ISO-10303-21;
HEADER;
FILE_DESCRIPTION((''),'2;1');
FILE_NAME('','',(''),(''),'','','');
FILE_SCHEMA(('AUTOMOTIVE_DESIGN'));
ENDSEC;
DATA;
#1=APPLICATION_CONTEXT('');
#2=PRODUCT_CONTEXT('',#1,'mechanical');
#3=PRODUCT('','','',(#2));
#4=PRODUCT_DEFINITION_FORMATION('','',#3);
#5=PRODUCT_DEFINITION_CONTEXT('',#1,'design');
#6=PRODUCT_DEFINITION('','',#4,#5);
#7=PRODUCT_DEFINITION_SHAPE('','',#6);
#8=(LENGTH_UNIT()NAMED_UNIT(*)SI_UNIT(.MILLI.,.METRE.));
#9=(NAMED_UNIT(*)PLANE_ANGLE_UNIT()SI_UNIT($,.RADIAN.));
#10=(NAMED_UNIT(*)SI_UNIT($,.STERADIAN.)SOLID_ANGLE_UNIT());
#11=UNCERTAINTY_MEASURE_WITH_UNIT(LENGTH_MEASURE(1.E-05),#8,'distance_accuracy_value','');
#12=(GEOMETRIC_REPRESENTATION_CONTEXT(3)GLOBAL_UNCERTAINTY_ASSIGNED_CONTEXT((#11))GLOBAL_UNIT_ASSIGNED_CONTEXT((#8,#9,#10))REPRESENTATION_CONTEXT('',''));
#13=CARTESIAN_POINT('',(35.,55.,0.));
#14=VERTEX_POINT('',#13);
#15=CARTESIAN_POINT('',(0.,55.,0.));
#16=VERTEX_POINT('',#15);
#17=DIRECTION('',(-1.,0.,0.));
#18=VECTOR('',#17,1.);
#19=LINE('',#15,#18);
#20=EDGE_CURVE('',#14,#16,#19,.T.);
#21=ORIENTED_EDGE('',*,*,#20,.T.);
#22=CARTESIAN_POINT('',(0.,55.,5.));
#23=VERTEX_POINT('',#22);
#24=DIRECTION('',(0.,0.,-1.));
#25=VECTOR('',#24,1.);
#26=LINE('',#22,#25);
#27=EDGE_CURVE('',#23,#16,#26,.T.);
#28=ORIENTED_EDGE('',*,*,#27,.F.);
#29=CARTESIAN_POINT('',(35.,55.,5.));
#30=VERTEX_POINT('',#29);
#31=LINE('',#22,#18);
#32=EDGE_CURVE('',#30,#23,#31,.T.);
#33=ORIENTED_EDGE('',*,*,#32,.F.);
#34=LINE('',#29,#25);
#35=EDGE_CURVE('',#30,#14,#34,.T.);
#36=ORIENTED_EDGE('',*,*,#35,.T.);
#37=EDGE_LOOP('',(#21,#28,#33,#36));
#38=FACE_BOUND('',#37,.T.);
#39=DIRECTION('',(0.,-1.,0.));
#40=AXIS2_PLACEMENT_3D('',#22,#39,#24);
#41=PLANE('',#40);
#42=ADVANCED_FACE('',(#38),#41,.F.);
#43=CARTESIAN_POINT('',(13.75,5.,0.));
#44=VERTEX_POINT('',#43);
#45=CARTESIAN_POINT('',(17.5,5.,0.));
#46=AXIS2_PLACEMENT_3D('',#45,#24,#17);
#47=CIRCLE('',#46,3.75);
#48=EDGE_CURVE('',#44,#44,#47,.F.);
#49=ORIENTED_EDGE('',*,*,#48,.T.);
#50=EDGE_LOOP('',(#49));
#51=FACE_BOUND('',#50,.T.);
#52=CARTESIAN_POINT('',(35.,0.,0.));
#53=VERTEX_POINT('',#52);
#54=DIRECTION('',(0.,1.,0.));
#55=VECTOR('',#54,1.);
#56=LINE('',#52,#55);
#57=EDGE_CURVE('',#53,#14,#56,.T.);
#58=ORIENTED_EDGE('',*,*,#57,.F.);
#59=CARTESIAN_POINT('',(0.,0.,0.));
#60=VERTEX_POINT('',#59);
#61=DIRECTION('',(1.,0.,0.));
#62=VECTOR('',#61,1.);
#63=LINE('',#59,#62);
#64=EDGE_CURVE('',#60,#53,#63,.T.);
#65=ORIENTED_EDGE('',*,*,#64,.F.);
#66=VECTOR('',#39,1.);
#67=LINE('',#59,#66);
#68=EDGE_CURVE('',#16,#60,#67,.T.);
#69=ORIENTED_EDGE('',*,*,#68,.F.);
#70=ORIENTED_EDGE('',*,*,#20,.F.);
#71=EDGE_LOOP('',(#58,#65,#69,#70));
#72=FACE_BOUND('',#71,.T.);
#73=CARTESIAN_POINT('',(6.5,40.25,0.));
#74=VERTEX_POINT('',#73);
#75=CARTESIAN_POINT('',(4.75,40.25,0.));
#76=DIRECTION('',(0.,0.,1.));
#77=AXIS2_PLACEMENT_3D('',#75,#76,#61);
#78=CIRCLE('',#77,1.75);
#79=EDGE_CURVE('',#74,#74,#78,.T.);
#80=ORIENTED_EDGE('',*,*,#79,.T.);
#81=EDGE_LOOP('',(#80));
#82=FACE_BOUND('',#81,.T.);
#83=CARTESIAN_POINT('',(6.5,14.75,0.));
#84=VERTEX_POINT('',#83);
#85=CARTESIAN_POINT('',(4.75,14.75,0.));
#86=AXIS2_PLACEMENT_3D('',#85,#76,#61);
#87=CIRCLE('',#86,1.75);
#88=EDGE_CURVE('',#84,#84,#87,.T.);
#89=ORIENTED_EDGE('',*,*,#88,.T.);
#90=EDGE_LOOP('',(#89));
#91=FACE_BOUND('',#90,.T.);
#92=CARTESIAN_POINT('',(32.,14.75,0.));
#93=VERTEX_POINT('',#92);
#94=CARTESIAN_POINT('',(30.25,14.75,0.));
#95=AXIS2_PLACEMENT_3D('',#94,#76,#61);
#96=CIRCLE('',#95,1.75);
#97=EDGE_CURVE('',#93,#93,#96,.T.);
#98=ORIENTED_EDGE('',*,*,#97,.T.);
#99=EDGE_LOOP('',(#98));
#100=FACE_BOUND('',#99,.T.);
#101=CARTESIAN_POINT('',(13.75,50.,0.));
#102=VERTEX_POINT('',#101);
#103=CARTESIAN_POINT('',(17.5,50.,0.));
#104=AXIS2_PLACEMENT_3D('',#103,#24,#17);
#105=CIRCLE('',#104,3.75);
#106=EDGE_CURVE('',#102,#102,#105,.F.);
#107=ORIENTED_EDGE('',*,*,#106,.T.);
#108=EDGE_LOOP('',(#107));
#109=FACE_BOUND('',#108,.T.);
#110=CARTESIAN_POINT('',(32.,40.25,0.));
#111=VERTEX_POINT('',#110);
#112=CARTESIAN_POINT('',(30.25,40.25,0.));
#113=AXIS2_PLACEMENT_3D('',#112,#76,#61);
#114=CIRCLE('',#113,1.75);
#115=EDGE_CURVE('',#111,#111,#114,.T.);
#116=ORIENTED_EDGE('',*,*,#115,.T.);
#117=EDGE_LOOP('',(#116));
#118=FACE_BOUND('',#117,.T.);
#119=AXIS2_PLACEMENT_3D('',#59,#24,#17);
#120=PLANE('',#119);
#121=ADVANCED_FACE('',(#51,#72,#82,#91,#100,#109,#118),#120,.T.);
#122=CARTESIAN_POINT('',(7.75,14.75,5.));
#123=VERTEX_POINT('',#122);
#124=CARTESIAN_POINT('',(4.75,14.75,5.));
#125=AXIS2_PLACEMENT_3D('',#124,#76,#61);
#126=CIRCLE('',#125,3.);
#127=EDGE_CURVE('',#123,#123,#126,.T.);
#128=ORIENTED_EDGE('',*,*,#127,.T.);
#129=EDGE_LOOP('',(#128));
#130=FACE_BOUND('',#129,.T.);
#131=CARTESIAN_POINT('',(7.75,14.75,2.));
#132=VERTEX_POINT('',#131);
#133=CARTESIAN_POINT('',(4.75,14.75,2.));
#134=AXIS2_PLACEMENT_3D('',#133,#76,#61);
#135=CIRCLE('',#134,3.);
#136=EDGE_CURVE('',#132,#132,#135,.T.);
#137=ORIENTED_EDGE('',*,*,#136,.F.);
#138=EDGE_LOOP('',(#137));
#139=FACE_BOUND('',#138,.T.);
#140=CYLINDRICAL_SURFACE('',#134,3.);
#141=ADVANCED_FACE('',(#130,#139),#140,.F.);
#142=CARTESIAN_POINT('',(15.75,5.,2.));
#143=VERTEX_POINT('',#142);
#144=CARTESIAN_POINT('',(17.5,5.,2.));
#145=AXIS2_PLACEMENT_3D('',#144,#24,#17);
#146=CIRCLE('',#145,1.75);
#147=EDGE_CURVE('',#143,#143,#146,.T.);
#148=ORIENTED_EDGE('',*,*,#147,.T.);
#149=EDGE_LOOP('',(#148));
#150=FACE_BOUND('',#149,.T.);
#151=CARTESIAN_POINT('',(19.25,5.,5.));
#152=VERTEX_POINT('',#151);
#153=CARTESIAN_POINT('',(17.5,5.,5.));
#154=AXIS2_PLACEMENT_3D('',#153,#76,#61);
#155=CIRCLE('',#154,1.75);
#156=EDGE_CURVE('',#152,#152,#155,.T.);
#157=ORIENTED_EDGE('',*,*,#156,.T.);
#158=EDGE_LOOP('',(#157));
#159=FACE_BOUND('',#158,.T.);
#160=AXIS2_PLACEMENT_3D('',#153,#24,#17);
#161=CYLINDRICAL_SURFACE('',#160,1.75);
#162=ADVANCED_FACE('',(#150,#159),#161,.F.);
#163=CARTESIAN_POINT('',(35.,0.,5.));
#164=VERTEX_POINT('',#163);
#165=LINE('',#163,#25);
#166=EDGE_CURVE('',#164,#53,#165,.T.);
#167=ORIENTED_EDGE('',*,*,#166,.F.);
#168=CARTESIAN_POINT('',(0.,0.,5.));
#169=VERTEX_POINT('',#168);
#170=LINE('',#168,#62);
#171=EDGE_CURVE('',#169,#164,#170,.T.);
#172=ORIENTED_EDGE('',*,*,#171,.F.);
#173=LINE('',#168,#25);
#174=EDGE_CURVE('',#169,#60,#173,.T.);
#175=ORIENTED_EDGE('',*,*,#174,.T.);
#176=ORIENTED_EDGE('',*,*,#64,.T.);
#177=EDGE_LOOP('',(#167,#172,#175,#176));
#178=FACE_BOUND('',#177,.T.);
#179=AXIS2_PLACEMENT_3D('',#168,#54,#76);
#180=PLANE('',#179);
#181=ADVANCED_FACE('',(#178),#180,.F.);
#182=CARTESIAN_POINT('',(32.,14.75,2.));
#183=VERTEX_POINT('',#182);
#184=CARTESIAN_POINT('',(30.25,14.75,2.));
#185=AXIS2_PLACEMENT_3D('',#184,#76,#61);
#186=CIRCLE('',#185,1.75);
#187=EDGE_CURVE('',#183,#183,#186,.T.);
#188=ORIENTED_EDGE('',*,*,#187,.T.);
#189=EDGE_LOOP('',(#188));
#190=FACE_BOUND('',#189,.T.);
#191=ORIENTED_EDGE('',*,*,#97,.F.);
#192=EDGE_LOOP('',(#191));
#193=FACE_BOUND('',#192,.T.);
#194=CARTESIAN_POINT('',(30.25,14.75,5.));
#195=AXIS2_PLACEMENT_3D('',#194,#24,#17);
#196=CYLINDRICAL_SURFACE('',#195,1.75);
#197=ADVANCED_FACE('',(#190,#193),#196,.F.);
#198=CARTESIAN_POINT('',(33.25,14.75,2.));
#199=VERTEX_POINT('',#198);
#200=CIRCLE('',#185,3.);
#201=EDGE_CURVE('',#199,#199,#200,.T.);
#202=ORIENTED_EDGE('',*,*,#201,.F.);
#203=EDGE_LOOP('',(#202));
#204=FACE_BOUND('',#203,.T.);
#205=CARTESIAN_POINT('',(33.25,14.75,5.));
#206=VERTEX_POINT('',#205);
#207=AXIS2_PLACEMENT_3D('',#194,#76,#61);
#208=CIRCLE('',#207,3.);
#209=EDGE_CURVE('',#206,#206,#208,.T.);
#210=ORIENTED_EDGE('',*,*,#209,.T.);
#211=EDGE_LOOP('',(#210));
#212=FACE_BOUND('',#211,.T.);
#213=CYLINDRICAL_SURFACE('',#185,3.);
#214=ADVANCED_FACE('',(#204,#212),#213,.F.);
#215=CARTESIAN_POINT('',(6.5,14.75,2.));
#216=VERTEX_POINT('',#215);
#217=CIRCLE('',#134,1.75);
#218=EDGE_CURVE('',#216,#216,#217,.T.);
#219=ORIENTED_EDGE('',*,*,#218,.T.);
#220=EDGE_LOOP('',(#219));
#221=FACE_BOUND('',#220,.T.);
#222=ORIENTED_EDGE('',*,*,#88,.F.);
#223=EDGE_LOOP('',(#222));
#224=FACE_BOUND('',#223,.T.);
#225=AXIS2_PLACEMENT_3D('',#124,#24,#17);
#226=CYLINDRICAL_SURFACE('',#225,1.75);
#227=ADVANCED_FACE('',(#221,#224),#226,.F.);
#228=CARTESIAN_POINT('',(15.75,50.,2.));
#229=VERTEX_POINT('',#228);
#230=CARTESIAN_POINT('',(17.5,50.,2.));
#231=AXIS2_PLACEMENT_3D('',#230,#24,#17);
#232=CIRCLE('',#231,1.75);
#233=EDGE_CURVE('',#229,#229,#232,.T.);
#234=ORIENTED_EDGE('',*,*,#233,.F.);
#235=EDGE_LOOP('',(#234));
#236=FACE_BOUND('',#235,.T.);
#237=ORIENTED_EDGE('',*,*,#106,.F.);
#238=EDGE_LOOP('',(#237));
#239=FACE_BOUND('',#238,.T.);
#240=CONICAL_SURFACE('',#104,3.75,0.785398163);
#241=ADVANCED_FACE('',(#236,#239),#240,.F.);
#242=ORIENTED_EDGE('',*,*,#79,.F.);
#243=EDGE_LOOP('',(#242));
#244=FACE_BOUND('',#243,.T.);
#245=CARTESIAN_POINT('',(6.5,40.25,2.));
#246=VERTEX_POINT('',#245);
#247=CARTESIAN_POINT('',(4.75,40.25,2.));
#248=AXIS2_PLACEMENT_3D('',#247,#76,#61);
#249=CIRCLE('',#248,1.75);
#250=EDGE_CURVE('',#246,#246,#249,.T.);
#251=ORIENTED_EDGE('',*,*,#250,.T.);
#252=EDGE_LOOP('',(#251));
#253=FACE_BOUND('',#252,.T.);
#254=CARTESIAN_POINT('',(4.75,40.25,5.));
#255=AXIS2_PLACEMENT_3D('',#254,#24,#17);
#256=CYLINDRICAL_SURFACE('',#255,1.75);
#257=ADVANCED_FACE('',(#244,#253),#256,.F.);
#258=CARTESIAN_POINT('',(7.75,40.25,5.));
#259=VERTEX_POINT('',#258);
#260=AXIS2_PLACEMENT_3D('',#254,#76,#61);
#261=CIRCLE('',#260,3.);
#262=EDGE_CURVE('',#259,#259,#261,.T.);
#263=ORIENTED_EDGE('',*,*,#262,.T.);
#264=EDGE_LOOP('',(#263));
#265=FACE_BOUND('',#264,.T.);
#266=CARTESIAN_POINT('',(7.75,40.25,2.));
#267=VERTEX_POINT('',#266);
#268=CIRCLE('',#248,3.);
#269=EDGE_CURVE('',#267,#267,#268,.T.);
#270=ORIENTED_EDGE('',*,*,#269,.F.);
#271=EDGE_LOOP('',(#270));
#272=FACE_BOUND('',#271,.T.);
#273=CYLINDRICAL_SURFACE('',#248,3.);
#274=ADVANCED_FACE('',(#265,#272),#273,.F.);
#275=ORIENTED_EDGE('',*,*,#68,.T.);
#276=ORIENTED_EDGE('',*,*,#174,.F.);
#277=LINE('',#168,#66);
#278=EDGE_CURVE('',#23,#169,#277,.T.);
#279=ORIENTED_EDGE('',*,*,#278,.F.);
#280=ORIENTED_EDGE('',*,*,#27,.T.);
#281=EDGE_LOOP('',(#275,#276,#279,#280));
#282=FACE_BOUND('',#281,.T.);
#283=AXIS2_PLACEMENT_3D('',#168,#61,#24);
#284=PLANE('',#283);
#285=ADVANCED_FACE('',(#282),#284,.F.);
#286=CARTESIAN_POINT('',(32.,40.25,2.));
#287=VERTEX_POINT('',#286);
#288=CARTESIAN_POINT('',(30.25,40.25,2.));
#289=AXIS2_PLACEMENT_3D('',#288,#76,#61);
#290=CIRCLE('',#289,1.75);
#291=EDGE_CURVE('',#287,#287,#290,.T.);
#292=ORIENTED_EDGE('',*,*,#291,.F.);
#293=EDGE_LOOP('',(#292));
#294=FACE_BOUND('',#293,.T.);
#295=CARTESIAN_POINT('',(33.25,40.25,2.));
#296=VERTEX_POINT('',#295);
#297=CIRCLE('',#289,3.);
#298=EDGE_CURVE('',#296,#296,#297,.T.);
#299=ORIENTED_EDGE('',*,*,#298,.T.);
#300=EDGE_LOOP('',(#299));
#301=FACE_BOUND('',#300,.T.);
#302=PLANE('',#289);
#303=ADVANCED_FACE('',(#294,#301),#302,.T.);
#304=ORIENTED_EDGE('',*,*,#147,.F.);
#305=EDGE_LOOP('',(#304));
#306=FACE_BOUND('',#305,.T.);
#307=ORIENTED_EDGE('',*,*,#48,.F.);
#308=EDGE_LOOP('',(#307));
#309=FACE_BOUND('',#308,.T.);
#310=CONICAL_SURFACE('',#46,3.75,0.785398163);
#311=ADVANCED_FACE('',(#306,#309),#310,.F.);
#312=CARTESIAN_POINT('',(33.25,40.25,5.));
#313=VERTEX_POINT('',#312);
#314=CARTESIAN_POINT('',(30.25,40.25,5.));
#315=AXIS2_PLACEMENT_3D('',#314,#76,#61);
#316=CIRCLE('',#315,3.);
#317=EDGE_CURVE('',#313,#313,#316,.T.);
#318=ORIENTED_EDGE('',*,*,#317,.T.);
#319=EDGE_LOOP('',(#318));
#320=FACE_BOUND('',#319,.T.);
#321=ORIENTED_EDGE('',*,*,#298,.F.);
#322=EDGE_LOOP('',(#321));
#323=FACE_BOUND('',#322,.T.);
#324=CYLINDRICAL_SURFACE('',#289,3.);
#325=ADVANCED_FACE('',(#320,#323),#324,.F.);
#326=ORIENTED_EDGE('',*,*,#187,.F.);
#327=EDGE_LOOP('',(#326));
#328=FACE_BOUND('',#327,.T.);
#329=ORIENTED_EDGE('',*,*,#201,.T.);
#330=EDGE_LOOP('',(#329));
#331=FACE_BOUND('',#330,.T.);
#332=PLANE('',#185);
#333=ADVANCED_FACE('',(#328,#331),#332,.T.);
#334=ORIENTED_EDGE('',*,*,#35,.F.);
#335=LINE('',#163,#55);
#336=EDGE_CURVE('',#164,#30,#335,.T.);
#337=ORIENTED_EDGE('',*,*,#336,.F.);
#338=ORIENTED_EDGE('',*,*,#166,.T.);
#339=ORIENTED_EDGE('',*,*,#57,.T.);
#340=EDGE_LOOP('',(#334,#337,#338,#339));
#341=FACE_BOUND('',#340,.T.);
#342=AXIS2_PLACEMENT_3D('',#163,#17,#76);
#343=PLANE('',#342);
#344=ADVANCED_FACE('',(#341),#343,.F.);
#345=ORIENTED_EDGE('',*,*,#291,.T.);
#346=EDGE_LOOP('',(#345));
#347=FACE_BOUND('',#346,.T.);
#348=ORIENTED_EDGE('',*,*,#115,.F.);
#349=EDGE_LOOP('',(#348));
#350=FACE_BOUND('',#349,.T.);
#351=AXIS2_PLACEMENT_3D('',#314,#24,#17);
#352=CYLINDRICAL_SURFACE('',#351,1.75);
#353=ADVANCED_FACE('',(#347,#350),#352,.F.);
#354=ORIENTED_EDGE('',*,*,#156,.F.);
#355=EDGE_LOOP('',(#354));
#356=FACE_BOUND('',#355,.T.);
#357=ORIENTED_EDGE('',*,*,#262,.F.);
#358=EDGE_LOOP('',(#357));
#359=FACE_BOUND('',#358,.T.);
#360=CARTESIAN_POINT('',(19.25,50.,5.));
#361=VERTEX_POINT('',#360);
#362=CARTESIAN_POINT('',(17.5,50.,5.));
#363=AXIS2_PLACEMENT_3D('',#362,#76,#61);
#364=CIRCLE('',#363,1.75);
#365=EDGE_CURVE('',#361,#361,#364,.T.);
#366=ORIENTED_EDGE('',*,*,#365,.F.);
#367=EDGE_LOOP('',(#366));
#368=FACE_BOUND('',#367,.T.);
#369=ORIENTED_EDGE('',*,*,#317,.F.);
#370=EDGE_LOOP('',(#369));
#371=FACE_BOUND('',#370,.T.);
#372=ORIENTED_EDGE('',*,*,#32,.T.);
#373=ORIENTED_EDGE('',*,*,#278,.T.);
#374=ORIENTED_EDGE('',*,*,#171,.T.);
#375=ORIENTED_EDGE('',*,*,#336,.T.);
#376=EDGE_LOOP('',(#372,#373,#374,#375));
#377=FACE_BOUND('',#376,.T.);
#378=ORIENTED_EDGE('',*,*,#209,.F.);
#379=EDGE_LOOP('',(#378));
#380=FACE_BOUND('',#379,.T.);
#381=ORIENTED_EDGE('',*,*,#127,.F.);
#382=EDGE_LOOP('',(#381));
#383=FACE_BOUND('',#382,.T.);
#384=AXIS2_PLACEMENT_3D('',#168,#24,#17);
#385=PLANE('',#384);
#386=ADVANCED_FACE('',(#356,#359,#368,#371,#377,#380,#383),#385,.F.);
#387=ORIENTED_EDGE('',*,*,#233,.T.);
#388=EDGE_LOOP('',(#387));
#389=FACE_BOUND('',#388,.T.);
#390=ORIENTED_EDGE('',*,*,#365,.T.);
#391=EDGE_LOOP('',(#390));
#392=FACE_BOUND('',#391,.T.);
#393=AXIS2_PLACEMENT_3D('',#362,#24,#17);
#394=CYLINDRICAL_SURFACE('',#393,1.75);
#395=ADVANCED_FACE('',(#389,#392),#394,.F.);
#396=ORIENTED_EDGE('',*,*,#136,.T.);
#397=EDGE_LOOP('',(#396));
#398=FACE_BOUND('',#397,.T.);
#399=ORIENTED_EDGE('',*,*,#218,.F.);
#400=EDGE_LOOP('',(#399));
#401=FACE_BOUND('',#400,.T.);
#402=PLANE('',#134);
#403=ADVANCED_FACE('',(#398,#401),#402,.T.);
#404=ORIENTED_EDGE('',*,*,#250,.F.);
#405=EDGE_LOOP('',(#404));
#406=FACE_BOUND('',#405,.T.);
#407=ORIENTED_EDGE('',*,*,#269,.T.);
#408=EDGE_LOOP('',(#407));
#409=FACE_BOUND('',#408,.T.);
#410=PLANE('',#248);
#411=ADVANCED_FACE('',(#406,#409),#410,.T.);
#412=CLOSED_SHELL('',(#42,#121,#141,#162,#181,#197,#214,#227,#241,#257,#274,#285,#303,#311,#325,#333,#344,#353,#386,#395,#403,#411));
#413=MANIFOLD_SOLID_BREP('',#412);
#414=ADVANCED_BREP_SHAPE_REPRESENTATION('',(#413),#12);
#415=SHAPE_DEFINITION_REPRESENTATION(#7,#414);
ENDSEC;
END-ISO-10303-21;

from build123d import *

# Parameters (mm, degrees)
SKETCH1_W           = 35
SKETCH1_H           = 55
SKETCH1_R           = 1.75
BOSS_EXTRUDE1_DEPTH = 5
SKETCH2_R           = 3
CUT_EXTRUDE1_DEPTH  = 3
CHAMFER1_SIZE       = 2


with BuildPart() as part:
    # Sketch1 → Boss-Extrude1 (new body)
    with BuildSketch(Plane.XY):
        with Locations((17.5, 27.5)):
            Rectangle(SKETCH1_W, SKETCH1_H)
        with Locations((4.75, 40.25)):
            Circle(SKETCH1_R, mode=Mode.SUBTRACT)
        with Locations((30.25, 40.25)):
            Circle(SKETCH1_R, mode=Mode.SUBTRACT)
        with Locations((30.25, 14.75)):
            Circle(SKETCH1_R, mode=Mode.SUBTRACT)
        with Locations((4.75, 14.75)):
            Circle(SKETCH1_R, mode=Mode.SUBTRACT)
        with Locations((17.5, 50)):
            Circle(SKETCH1_R, mode=Mode.SUBTRACT)
        with Locations((17.5, 5)):
            Circle(SKETCH1_R, mode=Mode.SUBTRACT)
    extrude(amount=BOSS_EXTRUDE1_DEPTH)

    # Sketch2 → Cut-Extrude1 (cut)
    with BuildSketch(Plane.XY.offset(5)):
        with Locations((4.75, 40.25)):
            Circle(SKETCH2_R)
        with Locations((30.25, 40.25)):
            Circle(SKETCH2_R)
        with Locations((30.25, 14.75)):
            Circle(SKETCH2_R)
        with Locations((4.75, 14.75)):
            Circle(SKETCH2_R)
    extrude(amount=-CUT_EXTRUDE1_DEPTH, mode=Mode.SUBTRACT)

    # Chamfer1
    chamfer1_edges = [part.edges().sort_by_distance(p)[0] for p in [
        (15.75, 50, 0),
        (15.75, 5, 0),
    ]]
    chamfer(chamfer1_edges, length=CHAMFER1_SIZE)


solid = part.part
